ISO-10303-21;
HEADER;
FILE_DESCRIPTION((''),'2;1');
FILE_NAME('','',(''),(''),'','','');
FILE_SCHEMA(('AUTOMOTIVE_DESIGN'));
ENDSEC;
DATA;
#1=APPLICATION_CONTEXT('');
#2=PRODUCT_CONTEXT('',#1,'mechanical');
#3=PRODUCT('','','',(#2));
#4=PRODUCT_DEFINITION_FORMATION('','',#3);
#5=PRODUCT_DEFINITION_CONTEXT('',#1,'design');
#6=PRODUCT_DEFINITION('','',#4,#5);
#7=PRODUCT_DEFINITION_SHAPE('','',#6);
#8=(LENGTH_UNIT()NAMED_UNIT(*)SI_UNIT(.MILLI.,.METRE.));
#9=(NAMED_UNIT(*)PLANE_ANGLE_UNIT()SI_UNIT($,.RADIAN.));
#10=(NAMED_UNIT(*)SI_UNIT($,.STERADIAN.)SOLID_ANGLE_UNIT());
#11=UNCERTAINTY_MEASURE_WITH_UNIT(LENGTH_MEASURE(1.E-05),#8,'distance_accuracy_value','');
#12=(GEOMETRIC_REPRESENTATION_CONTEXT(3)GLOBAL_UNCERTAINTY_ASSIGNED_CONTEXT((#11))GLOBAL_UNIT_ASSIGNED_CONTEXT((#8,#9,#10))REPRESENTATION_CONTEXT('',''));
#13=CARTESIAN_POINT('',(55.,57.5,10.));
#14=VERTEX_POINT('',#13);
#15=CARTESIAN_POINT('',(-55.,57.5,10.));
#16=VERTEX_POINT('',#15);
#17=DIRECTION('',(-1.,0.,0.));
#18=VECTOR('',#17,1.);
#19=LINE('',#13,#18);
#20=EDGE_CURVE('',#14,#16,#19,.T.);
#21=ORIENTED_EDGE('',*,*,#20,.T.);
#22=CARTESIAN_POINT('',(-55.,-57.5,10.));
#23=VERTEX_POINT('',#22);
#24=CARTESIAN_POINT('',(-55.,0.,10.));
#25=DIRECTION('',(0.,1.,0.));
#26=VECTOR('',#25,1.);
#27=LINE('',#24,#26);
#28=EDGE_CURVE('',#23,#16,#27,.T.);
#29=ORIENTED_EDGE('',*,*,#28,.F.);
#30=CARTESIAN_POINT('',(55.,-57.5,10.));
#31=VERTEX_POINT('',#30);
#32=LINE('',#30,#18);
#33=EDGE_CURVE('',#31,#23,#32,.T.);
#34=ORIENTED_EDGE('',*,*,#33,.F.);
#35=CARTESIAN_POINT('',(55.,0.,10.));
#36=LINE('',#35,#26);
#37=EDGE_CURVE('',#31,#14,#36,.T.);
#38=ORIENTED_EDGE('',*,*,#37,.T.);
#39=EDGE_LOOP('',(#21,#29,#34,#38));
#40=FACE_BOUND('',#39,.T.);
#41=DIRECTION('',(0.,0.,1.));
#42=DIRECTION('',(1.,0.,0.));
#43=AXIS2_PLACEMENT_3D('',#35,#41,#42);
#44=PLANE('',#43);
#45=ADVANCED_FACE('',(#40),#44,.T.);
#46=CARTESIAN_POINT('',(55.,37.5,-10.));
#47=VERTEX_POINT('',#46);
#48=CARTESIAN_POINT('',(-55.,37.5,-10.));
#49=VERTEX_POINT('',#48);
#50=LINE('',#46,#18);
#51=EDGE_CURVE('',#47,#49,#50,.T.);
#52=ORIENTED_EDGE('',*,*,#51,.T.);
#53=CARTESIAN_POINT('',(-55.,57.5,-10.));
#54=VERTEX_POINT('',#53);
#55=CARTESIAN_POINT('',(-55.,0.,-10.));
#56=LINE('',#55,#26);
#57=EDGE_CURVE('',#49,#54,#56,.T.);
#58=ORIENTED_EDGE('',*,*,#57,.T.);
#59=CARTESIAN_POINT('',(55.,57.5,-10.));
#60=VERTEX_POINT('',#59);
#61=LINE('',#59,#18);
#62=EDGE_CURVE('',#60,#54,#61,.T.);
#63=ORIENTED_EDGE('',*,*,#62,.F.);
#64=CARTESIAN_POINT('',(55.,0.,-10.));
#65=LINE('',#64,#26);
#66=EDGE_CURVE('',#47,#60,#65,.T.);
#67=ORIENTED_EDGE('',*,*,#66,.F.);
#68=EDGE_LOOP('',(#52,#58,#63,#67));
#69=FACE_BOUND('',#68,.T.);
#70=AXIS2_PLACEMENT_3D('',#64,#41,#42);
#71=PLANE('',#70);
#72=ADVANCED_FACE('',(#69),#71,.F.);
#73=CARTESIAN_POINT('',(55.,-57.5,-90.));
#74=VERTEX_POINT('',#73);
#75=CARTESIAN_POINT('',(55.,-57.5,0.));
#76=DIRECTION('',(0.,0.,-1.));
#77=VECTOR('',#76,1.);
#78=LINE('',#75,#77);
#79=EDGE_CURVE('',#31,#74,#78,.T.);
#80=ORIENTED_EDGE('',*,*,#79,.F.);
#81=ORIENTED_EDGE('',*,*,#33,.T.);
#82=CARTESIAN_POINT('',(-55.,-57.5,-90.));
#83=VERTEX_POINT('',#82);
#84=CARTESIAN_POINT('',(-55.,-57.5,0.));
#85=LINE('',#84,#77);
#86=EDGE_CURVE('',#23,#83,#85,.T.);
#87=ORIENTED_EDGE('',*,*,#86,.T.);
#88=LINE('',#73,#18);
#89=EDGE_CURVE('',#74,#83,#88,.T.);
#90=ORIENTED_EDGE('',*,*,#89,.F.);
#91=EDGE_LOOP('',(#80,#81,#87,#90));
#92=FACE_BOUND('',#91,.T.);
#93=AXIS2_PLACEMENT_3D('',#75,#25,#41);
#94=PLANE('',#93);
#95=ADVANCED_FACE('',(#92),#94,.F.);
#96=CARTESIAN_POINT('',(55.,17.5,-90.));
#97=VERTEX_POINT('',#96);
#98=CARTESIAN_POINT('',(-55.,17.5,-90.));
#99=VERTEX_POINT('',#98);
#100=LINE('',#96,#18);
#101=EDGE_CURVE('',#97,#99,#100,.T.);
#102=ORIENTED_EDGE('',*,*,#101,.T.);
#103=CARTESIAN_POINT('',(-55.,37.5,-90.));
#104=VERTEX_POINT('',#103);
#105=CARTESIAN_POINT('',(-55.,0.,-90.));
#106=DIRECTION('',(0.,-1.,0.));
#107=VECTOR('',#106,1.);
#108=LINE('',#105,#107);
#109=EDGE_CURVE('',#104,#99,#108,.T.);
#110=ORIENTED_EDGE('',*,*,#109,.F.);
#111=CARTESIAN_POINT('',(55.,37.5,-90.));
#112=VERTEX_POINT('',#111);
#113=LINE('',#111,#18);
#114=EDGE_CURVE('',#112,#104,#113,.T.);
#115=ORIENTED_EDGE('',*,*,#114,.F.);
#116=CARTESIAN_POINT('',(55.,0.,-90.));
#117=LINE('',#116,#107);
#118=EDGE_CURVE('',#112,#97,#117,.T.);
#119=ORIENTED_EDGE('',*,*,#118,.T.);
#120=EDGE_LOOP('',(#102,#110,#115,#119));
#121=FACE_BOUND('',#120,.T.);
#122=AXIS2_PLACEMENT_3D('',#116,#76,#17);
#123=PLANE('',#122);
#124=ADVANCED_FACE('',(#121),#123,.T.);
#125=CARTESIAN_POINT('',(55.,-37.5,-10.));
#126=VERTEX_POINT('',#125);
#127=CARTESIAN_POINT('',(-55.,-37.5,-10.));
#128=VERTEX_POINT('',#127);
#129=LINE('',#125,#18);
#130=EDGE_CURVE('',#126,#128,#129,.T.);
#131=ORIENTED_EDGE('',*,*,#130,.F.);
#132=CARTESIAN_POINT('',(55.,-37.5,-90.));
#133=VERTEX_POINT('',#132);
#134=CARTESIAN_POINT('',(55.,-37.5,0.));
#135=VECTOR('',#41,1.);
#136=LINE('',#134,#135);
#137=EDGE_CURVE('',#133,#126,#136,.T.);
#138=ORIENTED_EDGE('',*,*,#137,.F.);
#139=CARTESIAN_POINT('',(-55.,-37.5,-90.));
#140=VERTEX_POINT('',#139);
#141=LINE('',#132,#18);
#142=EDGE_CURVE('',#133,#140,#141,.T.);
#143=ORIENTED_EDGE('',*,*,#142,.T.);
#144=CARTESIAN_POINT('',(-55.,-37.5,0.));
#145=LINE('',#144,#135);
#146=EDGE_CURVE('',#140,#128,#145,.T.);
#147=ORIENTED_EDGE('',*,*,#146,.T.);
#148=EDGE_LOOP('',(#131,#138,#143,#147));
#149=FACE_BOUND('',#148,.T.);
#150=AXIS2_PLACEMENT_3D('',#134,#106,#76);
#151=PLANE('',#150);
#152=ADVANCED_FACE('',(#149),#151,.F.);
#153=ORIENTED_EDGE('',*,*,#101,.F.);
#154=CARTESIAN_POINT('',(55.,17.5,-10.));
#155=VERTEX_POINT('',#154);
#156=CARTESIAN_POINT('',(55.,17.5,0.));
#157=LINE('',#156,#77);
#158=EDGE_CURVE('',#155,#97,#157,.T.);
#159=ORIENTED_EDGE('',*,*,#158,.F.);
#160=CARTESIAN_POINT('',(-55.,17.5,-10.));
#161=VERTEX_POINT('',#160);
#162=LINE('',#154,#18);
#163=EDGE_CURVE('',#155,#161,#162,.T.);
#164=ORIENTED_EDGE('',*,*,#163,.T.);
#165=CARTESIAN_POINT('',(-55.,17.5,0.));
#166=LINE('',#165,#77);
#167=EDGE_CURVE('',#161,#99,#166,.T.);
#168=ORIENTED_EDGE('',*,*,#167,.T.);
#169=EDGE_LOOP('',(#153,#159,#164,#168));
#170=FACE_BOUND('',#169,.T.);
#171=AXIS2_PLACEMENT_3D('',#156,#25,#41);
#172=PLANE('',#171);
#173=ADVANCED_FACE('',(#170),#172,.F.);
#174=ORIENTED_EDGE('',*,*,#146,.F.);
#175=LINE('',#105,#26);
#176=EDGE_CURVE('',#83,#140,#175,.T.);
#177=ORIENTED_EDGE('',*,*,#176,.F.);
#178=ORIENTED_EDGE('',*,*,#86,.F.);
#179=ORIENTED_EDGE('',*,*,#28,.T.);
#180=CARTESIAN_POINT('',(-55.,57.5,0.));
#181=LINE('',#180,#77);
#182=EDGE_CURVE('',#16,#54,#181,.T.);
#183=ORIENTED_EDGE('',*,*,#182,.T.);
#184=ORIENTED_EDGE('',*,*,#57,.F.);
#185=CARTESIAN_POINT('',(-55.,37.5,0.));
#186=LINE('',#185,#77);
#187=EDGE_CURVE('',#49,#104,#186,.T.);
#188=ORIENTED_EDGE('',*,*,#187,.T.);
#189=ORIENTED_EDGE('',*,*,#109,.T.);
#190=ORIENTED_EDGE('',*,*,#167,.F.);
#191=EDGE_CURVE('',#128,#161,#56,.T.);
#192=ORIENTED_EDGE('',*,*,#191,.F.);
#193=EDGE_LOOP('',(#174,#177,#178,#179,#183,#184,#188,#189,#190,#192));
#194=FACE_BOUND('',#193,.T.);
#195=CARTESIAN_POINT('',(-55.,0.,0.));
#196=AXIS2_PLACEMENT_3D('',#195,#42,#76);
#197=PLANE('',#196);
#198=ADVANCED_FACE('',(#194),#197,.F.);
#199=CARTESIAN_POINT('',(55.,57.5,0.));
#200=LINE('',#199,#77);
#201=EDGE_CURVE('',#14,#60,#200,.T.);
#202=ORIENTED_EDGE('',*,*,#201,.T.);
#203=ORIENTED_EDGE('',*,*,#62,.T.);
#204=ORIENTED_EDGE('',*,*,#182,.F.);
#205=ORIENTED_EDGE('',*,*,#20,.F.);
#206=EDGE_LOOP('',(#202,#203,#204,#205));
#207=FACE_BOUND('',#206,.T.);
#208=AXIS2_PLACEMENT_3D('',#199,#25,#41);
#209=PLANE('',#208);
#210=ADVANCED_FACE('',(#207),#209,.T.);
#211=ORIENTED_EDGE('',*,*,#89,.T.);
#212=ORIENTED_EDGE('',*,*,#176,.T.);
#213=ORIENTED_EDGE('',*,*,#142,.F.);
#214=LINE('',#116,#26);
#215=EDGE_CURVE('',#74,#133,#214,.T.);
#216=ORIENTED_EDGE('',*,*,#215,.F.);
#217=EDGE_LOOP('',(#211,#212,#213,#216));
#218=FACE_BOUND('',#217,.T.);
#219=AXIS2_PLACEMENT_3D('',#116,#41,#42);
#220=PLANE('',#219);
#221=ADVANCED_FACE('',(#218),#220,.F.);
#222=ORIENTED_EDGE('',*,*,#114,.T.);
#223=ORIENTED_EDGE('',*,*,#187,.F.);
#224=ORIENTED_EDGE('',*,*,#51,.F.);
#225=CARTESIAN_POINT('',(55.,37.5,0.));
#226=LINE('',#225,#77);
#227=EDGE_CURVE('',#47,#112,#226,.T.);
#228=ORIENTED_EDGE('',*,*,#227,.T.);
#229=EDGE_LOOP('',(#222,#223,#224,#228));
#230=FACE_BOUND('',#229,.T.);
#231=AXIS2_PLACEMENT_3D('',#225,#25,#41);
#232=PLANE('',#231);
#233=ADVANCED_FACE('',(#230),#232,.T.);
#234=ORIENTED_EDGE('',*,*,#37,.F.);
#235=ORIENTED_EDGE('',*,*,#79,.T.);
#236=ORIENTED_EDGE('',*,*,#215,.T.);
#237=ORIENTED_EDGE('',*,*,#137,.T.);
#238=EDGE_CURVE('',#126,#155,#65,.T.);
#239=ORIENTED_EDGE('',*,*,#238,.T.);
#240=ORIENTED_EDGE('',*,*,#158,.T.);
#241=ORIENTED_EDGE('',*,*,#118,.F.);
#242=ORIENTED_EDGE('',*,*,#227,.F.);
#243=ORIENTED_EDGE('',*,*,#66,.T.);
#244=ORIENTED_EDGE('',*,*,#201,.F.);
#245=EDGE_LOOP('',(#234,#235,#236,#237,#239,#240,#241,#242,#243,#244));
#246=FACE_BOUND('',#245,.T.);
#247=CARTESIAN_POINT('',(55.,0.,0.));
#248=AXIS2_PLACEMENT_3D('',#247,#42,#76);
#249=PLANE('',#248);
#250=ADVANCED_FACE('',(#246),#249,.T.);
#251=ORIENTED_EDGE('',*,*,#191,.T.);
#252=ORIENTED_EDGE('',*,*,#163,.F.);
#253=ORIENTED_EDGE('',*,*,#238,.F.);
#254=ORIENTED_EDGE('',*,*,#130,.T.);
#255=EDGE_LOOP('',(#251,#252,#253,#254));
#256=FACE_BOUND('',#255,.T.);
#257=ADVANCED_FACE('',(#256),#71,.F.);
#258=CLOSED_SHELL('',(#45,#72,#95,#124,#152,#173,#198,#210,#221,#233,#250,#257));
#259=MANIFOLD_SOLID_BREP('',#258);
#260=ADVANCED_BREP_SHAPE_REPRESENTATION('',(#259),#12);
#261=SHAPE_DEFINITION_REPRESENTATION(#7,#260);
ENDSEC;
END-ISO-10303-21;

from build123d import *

# Parameters (mm, degrees)
SKETCH_1_W      = 20
SKETCH_1_H      = 115
SKETCH_1_W_2    = 80
SKETCH_1_H_2    = 20
EXTRUDE_1_DEPTH = 55


with BuildPart() as part:
    # Эскиз1 → Бобышка-Вытянуть1 (new, symmetric)
    with BuildSketch(Plane(origin=(0, 0, 0), x_dir=(0, 0, -1), z_dir=(1, 0, 0))):
        Rectangle(SKETCH_1_W, SKETCH_1_H)
        with Locations((50, -47.5)):
            Rectangle(SKETCH_1_W_2, SKETCH_1_H_2)
        with Locations((50, 27.5)):
            Rectangle(SKETCH_1_W_2, SKETCH_1_H_2)
    extrude(amount=EXTRUDE_1_DEPTH, both=True)


solid = part.part
